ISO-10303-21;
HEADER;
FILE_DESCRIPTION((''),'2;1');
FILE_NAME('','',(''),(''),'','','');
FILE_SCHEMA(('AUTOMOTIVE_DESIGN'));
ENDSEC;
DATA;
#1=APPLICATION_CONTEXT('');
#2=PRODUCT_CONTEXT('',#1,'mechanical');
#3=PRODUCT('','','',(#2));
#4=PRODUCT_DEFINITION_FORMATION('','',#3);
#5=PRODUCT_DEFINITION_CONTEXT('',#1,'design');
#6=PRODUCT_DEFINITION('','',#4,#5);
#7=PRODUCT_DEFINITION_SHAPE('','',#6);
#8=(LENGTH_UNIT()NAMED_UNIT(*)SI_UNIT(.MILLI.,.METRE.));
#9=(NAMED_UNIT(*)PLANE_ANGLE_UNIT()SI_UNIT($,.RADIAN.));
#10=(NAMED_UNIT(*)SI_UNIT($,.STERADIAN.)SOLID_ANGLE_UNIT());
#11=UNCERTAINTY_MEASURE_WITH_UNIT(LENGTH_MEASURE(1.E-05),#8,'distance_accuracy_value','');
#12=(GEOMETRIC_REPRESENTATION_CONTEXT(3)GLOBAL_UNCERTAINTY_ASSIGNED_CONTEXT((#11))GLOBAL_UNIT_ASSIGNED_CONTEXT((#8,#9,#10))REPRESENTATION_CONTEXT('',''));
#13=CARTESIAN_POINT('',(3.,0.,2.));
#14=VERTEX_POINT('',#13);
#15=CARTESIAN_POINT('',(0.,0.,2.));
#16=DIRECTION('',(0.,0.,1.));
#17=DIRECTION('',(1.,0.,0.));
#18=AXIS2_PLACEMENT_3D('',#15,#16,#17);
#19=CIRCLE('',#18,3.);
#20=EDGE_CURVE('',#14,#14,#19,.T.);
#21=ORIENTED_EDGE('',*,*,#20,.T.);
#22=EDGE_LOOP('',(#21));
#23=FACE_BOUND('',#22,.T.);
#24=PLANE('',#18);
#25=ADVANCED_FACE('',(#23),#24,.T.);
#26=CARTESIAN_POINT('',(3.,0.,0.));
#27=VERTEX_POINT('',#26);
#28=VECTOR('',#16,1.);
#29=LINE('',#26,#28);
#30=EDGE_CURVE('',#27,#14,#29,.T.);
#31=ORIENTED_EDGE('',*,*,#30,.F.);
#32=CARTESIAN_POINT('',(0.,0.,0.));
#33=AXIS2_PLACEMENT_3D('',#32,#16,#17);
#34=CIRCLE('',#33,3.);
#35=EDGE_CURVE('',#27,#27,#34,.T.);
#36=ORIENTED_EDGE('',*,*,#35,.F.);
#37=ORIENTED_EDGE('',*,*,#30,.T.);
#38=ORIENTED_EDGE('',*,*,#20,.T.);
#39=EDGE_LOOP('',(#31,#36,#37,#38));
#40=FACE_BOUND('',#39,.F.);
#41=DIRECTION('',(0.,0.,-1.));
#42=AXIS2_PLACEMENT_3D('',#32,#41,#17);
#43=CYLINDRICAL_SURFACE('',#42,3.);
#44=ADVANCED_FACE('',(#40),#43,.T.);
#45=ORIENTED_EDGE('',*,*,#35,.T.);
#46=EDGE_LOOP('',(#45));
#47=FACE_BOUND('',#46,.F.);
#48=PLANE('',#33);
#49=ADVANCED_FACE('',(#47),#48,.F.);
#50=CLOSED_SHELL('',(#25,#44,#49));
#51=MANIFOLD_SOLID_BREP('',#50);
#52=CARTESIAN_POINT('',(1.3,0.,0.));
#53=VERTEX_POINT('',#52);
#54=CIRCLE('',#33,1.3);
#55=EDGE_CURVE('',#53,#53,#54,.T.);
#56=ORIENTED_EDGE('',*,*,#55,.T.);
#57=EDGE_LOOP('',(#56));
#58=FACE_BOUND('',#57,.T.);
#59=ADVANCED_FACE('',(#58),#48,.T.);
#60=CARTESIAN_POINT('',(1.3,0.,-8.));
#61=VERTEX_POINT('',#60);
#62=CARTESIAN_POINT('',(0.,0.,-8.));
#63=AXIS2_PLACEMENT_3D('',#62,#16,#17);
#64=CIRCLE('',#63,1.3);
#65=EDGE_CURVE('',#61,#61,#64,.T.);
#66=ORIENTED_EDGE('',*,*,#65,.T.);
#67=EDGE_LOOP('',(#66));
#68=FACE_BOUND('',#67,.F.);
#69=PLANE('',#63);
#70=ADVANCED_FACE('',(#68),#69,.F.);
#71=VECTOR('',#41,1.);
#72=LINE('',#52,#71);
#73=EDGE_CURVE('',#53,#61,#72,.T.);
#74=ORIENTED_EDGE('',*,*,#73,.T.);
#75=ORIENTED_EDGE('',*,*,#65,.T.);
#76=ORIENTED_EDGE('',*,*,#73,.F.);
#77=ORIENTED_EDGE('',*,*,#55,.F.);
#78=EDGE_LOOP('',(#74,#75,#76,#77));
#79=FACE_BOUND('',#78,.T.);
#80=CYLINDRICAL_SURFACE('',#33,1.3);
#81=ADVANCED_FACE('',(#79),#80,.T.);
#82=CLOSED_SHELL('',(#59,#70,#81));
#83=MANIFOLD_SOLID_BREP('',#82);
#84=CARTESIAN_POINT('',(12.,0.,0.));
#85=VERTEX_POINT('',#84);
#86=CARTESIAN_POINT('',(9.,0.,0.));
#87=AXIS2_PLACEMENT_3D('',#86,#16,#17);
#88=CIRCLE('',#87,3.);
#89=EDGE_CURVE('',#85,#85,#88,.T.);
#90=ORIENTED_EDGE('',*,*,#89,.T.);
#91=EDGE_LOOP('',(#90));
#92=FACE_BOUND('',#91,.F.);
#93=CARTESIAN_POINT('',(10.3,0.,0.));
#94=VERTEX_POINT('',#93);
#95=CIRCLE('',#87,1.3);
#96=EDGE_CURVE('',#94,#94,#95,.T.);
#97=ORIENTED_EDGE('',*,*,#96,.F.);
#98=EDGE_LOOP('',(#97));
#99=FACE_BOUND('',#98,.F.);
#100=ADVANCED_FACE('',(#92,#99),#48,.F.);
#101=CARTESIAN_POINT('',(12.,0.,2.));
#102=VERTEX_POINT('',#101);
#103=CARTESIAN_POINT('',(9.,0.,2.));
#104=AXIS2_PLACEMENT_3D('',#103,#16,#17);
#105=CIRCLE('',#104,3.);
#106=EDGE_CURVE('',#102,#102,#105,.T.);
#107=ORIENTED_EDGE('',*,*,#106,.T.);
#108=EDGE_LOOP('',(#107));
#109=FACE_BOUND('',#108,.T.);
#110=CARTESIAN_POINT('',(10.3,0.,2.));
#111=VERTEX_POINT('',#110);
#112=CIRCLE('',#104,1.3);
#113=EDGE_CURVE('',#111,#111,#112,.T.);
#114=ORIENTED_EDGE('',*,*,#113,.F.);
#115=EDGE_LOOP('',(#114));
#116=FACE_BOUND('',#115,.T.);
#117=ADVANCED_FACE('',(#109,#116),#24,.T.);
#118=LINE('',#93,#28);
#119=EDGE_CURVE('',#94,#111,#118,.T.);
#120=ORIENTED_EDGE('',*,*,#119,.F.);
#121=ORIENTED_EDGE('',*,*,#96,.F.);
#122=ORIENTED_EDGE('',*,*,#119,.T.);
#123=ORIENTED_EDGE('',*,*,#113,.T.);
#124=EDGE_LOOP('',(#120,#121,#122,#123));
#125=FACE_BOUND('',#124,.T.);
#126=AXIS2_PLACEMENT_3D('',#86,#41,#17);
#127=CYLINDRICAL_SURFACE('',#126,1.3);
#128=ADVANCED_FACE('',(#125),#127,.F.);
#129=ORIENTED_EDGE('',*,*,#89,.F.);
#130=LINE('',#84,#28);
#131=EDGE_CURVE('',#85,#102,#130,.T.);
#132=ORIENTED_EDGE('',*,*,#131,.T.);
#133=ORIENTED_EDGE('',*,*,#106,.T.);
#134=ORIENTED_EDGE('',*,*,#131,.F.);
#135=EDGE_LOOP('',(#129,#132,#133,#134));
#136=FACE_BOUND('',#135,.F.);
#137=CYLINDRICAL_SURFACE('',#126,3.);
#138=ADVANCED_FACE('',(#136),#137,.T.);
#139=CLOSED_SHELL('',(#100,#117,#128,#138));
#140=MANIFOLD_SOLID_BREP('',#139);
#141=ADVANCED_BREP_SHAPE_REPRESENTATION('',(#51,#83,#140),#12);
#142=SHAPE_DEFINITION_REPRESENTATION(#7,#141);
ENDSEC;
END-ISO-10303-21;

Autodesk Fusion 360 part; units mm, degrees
sketch "Sketch1" plane through (0, 0, 0) normal (0, 0, 1) x (1, 0, 0)
  circle A0 centre (0, 0) radius 1.3
  circle A1 centre (0, 0) radius 3
  circle A2 centre (9, 0) radius 1.3
  circle A3 centre (9, 0) radius 3
  dimension "d1" = 2.6
  dimension "d2" = 6
  dimension "d7" = 2.6
  dimension "d8" = 6
extrude "Extrude1" add sketch "Sketch1" along normal blind 2 contours A0 | A1 makes body 1
extrude "Extrude2" add sketch "Sketch1" against normal blind 8 separate body contours A0 makes body 2
extrude "Extrude3" add sketch "Sketch1" along normal blind 2 separate body contours A3 makes body 3
